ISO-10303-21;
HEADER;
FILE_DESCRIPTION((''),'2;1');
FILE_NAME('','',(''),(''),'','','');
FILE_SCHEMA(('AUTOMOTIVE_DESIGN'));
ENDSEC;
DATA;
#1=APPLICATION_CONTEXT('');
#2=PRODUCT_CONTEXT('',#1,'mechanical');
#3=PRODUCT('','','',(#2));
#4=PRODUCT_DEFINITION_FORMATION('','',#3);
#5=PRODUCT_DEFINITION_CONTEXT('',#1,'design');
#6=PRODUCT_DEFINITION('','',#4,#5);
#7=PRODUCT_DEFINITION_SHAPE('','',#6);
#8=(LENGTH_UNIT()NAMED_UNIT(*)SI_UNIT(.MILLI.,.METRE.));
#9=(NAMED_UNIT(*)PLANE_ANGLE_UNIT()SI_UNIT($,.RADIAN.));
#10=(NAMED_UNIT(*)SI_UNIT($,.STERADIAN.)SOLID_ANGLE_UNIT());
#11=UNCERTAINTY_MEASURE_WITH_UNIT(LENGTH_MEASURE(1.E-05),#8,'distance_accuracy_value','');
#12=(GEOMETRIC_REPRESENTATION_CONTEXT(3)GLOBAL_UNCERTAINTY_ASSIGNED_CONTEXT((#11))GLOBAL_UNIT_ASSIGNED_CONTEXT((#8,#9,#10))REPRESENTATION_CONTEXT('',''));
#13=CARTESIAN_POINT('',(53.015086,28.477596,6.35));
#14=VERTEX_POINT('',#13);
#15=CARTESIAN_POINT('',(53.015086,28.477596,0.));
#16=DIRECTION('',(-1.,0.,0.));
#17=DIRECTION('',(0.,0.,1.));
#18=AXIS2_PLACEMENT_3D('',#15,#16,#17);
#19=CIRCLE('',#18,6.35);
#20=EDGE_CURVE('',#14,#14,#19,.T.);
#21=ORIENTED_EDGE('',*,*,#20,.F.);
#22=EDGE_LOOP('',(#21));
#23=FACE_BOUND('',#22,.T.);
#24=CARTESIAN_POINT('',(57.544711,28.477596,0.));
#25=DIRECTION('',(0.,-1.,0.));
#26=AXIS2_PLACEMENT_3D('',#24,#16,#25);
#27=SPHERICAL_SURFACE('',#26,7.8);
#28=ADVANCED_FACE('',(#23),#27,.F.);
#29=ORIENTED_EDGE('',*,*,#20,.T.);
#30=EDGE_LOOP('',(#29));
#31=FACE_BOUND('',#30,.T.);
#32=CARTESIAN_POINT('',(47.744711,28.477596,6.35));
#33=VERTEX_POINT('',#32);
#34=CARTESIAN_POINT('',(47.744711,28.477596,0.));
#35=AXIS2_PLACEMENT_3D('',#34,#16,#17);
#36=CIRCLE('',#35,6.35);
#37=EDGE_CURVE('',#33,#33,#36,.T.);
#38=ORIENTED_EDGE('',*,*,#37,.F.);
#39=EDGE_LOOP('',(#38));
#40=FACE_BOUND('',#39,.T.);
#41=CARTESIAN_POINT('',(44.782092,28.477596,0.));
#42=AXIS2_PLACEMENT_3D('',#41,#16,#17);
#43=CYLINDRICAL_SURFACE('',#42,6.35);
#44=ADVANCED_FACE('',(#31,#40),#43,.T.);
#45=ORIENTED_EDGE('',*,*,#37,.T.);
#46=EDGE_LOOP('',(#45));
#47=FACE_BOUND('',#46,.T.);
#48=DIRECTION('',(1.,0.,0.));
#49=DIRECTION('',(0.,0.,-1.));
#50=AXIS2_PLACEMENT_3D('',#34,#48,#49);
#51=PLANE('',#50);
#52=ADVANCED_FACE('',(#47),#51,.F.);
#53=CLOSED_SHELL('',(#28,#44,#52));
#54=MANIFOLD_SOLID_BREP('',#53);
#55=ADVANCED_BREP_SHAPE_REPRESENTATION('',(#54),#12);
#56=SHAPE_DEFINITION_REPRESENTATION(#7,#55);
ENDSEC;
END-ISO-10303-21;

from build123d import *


with BuildPart() as part:
    # 草图1 → 旋转1 (revolve)
    with BuildSketch(Plane.XY, mode=Mode.PRIVATE) as revolve_1_sk:
        with BuildLine():
            Line((47.744711016, 28.477595635), (47.744711016, 34.827595635))
            Line((47.744711016, 34.827595635), (53.015086307, 34.827595635))
            ThreePointArc((53.015086307, 34.827595635), (50.610337478, 32.048934828), (49.744711016, 28.477595635))
            Line((49.744711016, 28.477595635), (47.744711016, 28.477595635))
        make_face()
    revolve(revolve_1_sk.sketch.rotate(Axis((44.782091903, 28.477595635, 0), (1, 0, 0)), 180), axis=Axis((44.782091903, 28.477595635, 0), (1, 0, 0)))  # turned: the seam where the file's is


solid = part.part
